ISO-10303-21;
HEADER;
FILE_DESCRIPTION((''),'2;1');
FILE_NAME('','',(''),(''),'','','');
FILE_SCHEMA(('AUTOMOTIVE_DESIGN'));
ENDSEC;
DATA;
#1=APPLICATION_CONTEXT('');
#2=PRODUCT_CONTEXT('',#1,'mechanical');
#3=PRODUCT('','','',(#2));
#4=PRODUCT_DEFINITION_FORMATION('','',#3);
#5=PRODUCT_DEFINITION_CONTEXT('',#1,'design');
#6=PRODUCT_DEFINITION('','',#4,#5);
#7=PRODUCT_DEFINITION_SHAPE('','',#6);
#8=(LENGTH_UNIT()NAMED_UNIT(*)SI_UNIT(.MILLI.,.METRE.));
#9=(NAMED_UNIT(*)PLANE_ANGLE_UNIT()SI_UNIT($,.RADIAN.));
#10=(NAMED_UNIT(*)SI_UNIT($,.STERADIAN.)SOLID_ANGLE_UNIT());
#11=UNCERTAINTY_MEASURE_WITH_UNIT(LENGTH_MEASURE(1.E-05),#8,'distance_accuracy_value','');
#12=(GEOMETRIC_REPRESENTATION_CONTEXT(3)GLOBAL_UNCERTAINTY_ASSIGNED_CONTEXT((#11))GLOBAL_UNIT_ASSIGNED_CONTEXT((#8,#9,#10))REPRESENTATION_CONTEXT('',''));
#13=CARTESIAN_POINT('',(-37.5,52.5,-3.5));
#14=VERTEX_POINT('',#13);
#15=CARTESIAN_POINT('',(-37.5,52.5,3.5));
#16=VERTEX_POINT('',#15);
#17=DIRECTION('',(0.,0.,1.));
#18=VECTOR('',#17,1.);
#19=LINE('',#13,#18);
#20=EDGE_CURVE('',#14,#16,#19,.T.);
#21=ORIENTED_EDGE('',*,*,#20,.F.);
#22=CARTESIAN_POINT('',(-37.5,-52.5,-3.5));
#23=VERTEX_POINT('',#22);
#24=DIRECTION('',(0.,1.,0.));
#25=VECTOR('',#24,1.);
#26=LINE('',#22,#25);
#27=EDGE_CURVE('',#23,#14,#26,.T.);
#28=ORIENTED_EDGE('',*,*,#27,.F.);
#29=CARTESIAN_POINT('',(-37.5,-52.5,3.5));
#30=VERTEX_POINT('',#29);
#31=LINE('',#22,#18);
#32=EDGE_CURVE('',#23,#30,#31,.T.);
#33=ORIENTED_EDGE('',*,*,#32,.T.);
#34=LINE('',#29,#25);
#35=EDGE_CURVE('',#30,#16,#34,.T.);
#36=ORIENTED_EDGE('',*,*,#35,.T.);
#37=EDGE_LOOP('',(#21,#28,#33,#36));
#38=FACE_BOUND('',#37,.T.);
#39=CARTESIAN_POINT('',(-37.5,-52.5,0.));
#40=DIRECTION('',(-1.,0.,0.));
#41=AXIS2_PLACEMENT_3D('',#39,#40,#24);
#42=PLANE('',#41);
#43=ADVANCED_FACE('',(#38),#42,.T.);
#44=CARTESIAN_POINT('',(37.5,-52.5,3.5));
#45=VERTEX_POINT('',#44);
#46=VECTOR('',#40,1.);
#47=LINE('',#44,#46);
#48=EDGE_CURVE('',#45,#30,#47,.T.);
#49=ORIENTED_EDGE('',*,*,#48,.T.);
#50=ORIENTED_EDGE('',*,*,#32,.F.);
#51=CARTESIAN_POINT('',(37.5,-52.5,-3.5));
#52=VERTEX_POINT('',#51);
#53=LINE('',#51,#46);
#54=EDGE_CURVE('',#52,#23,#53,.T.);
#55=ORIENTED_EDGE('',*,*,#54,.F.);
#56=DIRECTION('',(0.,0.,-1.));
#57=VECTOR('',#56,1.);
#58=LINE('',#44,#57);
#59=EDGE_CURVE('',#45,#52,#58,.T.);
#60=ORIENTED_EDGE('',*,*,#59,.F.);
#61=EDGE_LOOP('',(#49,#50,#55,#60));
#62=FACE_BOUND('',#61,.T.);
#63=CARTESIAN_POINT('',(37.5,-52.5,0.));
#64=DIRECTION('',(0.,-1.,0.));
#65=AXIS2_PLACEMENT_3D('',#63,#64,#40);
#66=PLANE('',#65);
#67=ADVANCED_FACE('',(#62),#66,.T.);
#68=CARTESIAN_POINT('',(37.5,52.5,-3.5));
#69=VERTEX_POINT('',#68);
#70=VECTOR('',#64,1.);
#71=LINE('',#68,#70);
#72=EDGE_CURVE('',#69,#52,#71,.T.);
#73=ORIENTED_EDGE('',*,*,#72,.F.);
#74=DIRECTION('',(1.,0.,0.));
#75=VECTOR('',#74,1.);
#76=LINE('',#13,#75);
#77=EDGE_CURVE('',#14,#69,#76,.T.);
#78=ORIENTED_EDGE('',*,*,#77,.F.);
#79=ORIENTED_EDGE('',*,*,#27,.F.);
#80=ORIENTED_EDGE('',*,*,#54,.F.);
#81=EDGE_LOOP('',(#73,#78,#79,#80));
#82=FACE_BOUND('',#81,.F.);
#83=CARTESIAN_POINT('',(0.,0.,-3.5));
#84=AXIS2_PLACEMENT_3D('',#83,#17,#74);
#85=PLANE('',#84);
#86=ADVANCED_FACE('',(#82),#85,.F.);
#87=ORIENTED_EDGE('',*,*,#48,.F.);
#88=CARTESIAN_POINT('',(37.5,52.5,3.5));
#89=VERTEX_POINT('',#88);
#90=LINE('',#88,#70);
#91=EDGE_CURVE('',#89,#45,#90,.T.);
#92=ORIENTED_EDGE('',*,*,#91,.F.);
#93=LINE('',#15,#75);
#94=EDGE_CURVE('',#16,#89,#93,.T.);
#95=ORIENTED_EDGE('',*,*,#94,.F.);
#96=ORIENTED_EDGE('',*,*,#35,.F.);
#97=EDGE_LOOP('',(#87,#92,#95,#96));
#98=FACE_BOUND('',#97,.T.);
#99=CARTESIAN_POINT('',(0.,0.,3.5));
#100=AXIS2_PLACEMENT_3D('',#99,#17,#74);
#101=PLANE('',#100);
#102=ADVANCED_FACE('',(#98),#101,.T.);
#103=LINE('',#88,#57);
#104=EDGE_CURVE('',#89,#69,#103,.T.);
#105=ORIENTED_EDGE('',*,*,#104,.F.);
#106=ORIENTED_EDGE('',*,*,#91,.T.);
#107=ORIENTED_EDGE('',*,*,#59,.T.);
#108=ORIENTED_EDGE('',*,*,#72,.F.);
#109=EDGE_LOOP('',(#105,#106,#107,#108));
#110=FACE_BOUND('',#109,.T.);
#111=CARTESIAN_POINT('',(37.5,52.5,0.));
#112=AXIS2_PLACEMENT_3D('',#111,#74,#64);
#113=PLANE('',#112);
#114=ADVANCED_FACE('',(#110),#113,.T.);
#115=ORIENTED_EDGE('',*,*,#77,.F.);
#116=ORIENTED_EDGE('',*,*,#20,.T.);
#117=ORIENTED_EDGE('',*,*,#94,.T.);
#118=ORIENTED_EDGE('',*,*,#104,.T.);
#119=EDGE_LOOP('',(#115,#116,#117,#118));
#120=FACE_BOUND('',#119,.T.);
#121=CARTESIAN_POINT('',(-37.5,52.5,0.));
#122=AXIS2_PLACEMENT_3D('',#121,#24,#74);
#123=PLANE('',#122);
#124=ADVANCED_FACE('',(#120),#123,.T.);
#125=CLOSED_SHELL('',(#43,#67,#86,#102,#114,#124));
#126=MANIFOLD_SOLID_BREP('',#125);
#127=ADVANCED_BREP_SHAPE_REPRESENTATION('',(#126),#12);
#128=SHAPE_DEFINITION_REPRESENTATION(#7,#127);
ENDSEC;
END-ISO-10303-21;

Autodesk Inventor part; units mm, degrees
ref_plane "YZ Plane" through (0, 0, 0) normal (1, 0, 0) x (0, 1, 0)
ref_plane "XZ Plane" through (0, 0, 0) normal (0, 1, 0) x (-1, 0, 0)
ref_plane "XY Plane" through (0, 0, 0) normal (0, 0, 1) x (1, 0, 0)
sketch "Sketch1" plane through (0, 0, 0) normal (0, 0, 1) x (1, 0, 0)
  line L0 (-37.5, 52.5) -> (37.5, 52.5)
  line L1 (37.5, 52.5) -> (37.5, -52.5)
  line L2 (37.5, -52.5) -> (-37.5, -52.5)
  line L3 (-37.5, -52.5) -> (-37.5, 52.5)
  line L4 (-37.5, 52.5) -> (37.5, -52.5) construction
  line L5 (37.5, 52.5) -> (-37.5, -52.5) construction
  point P0 (0, 0)
  dimension "d0" = 75
  dimension "d1" = 105
extrude "Extrusion1" add sketch "Sketch1" along normal mid plane 7
properties part number "acrylicwindow"
